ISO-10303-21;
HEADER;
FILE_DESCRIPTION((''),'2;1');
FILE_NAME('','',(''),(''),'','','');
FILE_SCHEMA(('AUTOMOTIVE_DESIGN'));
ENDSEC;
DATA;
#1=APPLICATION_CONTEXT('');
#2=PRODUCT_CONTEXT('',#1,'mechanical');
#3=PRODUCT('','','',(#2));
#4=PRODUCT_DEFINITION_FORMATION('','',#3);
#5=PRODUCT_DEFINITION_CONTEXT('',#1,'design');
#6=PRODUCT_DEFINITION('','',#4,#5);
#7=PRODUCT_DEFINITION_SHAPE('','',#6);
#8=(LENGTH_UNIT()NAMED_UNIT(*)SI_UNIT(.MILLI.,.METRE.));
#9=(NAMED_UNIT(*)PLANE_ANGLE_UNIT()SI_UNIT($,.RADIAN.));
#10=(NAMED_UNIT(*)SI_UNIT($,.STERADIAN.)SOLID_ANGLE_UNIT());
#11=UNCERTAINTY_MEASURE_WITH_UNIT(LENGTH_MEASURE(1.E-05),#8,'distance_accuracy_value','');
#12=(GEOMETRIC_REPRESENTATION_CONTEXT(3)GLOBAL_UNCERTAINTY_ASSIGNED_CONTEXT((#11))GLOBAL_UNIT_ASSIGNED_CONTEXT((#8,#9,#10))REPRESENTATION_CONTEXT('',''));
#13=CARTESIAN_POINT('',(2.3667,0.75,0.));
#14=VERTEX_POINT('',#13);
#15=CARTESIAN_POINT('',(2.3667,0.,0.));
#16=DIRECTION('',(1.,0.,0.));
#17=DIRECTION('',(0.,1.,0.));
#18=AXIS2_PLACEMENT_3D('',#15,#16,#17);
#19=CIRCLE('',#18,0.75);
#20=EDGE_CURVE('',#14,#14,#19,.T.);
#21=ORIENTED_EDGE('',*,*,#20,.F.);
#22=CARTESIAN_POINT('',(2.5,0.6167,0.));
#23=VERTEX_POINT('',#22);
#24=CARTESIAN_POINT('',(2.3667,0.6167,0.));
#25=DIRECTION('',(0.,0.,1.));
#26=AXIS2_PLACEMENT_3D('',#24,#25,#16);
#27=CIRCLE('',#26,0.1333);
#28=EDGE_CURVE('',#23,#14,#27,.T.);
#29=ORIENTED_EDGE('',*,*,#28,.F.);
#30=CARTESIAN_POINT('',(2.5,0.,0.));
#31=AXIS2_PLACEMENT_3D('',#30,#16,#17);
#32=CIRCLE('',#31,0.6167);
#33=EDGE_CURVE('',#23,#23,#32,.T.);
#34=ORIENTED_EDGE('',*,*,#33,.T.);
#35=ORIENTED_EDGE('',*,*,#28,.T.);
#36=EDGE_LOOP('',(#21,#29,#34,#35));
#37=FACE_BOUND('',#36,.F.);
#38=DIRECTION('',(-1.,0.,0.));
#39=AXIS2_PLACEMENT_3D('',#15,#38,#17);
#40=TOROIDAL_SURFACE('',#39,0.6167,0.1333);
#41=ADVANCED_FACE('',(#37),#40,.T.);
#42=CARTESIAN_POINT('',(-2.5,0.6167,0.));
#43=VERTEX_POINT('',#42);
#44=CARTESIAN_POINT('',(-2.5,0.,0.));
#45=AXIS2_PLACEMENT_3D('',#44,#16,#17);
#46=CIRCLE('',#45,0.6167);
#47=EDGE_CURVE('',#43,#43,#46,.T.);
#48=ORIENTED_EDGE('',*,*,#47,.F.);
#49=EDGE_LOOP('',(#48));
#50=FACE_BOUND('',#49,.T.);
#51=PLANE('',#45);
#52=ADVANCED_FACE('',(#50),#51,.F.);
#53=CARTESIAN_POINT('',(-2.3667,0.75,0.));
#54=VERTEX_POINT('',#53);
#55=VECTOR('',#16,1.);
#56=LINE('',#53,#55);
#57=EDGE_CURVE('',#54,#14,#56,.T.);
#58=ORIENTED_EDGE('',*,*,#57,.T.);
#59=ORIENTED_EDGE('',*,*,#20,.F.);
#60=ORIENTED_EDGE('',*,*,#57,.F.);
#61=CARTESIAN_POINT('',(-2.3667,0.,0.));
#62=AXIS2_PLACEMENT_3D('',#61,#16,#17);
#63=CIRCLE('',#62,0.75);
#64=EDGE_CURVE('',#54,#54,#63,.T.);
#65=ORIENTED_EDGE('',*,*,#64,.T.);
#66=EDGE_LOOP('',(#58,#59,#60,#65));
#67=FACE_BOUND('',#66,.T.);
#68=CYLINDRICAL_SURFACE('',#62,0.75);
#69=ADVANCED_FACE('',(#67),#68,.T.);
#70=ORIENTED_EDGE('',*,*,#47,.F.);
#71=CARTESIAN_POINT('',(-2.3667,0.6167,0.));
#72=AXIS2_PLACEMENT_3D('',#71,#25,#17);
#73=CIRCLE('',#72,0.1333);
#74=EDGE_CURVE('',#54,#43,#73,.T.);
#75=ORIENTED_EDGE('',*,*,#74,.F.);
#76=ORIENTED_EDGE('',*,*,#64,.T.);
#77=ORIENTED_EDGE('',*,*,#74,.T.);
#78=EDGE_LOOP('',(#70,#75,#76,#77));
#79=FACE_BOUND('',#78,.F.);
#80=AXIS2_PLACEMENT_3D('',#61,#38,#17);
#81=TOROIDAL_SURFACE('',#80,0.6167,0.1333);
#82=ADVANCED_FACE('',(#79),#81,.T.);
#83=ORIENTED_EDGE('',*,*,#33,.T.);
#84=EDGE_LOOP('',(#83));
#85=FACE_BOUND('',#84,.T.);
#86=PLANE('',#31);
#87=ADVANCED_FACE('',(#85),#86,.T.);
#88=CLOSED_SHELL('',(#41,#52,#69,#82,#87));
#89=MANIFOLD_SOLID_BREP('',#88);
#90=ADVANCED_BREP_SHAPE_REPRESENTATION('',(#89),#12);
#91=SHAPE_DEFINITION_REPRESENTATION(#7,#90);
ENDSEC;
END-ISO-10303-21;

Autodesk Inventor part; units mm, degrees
sketch "Sketch_1" plane through (0, 0, 0) normal (0, 0, 1) x (1, 0, 0)
  line L0 (2.5, 0) -> (-2.5, 0)
  line L1 (-2.5, 0) -> (-2.5, 0.6167)
  arc A0 (-2.3667, 0.75) -> (-2.5, 0.6167) centre (-2.3667, 0.6167) ccw
  line L2 (-2.3667, 0.75) -> (2.3667, 0.75)
  arc A1 (2.5, 0.6167) -> (2.3667, 0.75) centre (2.3667, 0.6167) ccw
  line L3 (2.5, 0.6167) -> (2.5, 0)
  line L4 (2.5, 0) -> (-2.5, 0)
revolve "Revolution1" add sketch "Sketch_1" angle 360 about axis through (2.5, 0, 0) along (1, 0, 0)
ref_plane "IP_1_XY" through (0, 0, 0) normal (1, 0, 0) x (0, 0, -1)
ref_plane "IP_1_YZ" through (0, 0, 0) normal (0, 0, -1) x (0, 1, 0)
ref_plane "IP_1_ZX" through (0, 0, 0) normal (0, 1, 0) x (1, 0, 0)
properties part number "HK0709FMRO" material "Steel"
